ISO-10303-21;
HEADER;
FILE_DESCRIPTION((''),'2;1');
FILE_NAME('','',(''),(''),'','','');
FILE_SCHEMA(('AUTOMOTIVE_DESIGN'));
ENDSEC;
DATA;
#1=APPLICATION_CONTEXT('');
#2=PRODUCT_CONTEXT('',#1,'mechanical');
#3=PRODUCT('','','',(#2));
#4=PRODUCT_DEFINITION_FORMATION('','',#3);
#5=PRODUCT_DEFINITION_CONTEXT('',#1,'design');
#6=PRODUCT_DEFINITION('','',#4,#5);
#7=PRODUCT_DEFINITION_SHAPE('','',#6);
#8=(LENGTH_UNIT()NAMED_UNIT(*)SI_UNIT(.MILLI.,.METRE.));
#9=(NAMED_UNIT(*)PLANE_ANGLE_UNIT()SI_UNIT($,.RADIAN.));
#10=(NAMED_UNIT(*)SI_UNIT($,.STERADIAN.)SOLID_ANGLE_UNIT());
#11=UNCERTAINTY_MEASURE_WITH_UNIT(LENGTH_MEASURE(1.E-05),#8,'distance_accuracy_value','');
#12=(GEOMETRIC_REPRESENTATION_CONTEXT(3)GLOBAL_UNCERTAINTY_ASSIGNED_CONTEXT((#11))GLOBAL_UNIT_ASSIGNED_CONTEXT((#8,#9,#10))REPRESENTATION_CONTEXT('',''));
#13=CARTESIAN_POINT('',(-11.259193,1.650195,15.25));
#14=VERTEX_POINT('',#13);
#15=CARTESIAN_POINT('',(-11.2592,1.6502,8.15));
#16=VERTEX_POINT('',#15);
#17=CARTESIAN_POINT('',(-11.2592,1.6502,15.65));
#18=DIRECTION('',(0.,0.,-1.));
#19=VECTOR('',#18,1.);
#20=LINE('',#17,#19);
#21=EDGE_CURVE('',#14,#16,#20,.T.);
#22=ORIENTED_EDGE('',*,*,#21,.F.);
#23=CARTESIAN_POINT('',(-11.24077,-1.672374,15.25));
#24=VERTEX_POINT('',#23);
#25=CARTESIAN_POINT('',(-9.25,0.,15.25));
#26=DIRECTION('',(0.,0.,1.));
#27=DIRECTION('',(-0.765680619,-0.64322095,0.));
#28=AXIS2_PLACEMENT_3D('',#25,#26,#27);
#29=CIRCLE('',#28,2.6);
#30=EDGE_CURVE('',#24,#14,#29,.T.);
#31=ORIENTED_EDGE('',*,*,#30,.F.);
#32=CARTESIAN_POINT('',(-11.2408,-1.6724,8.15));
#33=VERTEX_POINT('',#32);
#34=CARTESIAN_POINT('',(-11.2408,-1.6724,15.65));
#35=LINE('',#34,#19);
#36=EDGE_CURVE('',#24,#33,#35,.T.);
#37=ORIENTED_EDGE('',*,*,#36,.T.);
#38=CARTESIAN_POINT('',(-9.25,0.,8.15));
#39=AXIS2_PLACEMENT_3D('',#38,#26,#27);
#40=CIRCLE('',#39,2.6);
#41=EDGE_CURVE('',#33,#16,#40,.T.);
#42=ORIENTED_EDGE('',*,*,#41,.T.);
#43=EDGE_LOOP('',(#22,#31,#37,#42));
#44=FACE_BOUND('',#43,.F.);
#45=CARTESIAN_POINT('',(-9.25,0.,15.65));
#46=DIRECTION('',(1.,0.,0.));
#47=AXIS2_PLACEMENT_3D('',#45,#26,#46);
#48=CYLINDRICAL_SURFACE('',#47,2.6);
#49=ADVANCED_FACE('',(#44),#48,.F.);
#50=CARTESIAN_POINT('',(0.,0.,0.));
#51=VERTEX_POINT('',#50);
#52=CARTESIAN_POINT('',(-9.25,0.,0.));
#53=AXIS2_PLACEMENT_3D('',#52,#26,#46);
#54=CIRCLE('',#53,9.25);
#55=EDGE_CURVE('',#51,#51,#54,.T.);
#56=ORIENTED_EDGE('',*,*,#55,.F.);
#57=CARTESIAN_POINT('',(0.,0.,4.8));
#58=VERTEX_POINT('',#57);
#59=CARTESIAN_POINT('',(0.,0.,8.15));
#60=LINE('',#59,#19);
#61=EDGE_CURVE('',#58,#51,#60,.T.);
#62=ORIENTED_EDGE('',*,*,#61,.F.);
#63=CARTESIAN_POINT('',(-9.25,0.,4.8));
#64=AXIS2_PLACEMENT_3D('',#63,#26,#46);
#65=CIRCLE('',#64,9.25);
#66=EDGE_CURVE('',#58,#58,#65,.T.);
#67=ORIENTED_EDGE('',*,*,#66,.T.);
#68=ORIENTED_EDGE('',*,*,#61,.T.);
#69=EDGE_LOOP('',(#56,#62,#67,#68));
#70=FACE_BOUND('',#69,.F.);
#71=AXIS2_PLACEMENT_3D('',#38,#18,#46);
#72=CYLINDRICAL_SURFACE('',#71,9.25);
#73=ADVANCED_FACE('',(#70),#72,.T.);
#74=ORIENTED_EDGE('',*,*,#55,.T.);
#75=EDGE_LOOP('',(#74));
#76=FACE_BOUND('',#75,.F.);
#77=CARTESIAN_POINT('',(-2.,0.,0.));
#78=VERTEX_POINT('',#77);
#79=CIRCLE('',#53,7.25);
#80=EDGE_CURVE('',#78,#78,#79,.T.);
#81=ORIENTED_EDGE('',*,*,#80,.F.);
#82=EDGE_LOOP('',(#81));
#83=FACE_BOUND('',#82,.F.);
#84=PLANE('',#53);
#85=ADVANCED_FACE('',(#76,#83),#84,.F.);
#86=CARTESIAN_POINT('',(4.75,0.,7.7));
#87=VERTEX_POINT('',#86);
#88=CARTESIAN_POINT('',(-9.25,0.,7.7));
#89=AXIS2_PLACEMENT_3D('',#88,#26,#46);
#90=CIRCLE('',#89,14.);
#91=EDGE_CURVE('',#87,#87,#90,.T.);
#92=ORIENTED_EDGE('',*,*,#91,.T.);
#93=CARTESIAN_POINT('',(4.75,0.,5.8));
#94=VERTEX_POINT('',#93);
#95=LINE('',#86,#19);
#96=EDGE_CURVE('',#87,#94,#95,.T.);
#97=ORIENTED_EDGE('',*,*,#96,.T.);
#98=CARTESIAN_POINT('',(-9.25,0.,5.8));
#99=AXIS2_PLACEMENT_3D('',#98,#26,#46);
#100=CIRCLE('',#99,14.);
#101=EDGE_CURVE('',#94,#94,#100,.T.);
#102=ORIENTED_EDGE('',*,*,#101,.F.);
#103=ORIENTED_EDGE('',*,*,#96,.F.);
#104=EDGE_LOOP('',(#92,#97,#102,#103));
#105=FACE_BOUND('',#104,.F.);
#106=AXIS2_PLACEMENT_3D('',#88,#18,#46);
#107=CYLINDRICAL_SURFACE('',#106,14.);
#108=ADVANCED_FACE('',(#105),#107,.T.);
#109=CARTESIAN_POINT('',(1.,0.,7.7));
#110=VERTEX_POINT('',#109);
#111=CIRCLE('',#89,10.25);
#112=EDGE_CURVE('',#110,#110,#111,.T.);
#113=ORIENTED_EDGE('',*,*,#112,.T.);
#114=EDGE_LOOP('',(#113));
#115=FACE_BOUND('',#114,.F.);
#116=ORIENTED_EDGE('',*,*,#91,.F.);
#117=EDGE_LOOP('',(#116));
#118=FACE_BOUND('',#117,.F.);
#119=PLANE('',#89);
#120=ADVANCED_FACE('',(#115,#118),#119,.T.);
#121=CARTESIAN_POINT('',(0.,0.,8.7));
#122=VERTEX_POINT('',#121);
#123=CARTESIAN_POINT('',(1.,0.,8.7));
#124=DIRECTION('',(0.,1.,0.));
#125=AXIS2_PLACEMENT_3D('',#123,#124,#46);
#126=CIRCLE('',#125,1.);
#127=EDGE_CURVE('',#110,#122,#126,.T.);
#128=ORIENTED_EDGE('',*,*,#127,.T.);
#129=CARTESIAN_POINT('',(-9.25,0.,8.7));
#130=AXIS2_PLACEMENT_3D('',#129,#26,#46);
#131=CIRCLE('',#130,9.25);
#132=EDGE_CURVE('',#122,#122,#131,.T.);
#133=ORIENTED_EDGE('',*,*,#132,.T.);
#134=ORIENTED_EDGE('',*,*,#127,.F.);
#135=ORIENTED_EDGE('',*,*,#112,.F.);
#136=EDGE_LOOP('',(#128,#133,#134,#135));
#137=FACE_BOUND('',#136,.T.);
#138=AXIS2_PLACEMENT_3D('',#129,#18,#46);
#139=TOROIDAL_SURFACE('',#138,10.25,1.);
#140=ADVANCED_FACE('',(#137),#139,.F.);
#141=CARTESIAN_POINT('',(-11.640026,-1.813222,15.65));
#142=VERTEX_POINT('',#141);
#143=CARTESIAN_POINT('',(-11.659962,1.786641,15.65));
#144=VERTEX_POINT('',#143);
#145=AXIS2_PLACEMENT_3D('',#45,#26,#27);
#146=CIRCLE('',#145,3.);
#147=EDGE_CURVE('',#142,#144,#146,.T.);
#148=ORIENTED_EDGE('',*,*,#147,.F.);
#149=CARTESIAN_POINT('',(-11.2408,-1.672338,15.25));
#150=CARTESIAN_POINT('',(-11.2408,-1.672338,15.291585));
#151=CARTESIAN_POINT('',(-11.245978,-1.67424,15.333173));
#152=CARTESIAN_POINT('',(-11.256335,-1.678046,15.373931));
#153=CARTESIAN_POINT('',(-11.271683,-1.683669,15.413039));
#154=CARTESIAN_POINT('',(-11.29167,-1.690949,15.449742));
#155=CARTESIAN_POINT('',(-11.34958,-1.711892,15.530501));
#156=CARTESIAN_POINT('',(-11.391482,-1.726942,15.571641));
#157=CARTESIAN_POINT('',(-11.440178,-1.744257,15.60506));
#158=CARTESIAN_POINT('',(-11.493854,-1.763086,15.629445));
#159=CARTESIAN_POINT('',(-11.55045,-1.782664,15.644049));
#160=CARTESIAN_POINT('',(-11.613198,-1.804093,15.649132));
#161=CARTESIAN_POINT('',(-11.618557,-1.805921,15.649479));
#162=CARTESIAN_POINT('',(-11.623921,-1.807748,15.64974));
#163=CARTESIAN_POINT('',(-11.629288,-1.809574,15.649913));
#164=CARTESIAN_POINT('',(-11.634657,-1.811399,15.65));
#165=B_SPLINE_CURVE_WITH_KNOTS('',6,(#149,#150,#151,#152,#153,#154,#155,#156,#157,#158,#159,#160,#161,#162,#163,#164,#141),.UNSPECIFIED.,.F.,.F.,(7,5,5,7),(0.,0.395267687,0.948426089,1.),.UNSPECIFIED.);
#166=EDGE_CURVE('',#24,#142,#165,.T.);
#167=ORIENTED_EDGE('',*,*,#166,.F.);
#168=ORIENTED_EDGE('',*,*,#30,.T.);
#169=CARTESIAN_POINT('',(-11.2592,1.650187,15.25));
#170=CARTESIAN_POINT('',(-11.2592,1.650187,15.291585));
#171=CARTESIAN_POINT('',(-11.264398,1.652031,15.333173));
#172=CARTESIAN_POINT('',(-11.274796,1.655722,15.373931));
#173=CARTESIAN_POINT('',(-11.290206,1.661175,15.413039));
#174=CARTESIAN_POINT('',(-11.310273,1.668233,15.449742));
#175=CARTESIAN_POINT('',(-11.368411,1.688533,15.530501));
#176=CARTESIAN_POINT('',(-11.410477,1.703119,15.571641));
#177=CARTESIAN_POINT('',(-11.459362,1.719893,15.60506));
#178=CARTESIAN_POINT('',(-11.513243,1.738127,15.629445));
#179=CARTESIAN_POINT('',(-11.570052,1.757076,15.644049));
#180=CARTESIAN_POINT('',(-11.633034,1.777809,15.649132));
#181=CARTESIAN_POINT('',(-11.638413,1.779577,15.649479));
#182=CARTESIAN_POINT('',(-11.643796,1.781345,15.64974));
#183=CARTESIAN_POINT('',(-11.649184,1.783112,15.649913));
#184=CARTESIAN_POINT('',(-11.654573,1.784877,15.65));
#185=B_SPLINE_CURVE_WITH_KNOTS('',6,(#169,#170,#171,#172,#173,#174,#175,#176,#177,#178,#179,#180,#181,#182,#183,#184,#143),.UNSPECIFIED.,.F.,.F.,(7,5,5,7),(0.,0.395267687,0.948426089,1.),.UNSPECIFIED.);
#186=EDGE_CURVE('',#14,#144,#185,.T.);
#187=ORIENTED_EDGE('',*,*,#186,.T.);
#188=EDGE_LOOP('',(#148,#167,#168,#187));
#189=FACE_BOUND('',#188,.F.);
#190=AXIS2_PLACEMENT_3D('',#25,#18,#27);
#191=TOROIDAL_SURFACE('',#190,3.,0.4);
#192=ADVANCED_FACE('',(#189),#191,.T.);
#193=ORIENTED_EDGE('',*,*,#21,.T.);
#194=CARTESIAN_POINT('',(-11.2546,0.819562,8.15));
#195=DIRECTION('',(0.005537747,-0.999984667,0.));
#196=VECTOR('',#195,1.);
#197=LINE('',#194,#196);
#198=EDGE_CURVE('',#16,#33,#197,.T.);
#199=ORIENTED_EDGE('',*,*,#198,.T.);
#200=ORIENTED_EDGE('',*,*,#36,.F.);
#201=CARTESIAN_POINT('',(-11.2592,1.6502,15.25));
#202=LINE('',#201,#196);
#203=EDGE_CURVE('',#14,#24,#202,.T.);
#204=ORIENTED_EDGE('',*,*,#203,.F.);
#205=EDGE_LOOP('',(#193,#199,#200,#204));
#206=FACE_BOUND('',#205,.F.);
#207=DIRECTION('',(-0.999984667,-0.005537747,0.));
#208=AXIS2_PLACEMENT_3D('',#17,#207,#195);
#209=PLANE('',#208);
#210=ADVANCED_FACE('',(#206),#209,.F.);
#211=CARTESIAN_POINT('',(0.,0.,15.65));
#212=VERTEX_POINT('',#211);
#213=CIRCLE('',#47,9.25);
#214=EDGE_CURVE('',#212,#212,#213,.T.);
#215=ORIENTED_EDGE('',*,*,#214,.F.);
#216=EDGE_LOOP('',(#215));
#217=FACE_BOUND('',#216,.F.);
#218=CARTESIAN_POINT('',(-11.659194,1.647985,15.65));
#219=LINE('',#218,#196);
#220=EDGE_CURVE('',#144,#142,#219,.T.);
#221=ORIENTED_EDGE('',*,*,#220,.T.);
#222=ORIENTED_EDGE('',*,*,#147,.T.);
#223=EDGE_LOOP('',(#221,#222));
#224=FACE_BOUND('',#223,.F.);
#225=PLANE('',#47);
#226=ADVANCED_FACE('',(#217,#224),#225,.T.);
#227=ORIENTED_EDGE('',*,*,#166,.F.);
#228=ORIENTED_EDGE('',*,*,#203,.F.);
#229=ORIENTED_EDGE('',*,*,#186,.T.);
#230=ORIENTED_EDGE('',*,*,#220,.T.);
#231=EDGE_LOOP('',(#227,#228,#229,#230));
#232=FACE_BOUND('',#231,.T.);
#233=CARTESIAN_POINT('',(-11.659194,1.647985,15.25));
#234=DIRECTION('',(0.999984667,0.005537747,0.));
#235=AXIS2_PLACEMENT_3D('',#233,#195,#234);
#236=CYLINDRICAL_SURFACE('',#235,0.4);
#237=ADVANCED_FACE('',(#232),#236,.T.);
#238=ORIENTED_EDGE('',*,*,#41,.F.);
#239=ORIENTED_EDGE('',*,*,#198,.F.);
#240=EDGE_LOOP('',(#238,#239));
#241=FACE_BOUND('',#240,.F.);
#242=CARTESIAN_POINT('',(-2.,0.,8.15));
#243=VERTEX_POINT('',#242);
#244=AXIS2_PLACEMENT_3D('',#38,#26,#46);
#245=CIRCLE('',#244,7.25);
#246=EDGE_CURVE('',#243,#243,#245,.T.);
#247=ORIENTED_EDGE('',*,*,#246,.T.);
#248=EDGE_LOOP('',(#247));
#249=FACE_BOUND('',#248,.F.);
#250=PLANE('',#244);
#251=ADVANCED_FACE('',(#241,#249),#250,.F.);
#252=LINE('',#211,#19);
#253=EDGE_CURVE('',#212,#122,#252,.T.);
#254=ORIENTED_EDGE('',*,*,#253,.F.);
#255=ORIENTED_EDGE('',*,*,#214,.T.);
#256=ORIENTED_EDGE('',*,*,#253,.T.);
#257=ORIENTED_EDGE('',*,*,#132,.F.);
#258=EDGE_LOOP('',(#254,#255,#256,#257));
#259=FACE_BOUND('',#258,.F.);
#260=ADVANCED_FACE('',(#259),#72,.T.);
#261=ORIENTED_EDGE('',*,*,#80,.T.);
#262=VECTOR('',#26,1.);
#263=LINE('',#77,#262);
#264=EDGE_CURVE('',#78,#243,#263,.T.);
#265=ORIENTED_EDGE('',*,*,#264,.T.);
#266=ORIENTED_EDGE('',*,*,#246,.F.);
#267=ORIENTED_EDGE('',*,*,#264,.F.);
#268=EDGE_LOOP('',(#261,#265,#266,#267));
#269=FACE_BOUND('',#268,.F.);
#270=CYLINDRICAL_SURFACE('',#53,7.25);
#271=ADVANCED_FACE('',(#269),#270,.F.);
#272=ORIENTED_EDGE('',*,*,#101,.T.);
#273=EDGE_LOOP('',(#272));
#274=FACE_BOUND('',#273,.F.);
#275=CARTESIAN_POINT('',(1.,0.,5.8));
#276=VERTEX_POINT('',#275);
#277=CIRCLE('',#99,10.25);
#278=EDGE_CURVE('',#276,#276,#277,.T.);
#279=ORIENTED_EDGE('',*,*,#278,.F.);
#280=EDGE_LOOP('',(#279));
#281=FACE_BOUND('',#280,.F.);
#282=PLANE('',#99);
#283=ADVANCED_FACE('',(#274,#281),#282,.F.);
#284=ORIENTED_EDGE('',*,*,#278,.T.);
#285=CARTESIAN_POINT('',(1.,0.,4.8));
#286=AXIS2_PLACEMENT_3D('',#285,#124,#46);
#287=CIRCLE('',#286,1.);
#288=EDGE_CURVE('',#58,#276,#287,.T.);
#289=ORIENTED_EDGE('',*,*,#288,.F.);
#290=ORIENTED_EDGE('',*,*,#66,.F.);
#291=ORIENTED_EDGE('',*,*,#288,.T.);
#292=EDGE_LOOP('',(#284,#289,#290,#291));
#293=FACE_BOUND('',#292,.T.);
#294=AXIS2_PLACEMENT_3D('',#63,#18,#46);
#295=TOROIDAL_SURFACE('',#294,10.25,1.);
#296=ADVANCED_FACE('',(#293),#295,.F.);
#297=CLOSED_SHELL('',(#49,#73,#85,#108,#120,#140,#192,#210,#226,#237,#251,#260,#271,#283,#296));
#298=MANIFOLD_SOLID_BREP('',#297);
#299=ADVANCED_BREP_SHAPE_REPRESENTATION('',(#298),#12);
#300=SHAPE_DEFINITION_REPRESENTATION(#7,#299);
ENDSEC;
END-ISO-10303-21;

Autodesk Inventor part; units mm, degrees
ref_plane "YZ Plane" through (0, 0, 0) normal (1, 0, 0) x (0, 1, 0)
ref_plane "XZ Plane" through (0, 0, 0) normal (0, 1, 0) x (-1, 0, 0)
ref_plane "XY Plane" through (0, 0, 0) normal (0, 0, 1) x (1, 0, 0)
sketch "Sketch1" plane through (0, 0, 0) normal (0, 1, 0) x (-1, 0, 0)
  line L0 (0, 0) -> (2, 0)
  line L1 (2, 0) -> (2, 8.15)
  line L2 (2, 8.15) -> (0, 8.15)
  line L3 (0, 8.15) -> (0, 0)
  line L4 (0, 8.15) -> (9.25, 8.15)
  line L5 (9.25, 8.15) -> (9.25, 15.65)
  line L6 (9.25, 15.65) -> (0, 15.65)
  line L7 (0, 15.65) -> (0, 8.15)
  line L8 (0, 7.7) -> (-4.75, 7.7)
  line L9 (-4.75, 7.7) -> (-4.75, 5.8)
  line L10 (-4.75, 5.8) -> (0, 5.8)
  line L11 (0, 5.8) -> (0, 7.7)
  point P0 (0, 5.8)
  dimension "d1" = 7.25
  dimension "d2" = 2
  dimension "d3" = 7.5
  dimension "d4" = 8.15
  dimension "d10" = 14
  dimension "d12" = 1.9
  dimension "d13" = 7.95
revolve "Revolution1" add sketch "Sketch1" angle 360 about axis through (-9.25, 0, 8.15) along (0, 0, 1)
sketch "Sketch2" plane through (-9.25, 0, 15.65) normal (0, 0, 1) x (1, 0, 0)
  circle A0 centre (0, 0) radius 2.6
  line L0 (-2.0092, 1.6502) -> (-1.9908, -1.6724)
  circle A1 centre (0, 0) radius 9.25 projected
  circle A2 centre (0, 0) radius 9.4
  point P0 (9.25, 0)
  dimension "d6" = 5.2
  dimension "d7" = 2
extrude "Extrusion1" cut sketch "Sketch2" against normal blind 10 contours A0 L0 picked at (-0.3829, 0.5768)
fillet "Fillet1" radius 1 2 edges at (-18.5, 0, 7.7) (-18.5, 0, 5.8)
fillet "Fillet2" radius 0.4 2 edges at (-6.65, 0.0144, 15.65) (-11.25, -0.0111, 15.65)
properties part number "Knob_adp"
